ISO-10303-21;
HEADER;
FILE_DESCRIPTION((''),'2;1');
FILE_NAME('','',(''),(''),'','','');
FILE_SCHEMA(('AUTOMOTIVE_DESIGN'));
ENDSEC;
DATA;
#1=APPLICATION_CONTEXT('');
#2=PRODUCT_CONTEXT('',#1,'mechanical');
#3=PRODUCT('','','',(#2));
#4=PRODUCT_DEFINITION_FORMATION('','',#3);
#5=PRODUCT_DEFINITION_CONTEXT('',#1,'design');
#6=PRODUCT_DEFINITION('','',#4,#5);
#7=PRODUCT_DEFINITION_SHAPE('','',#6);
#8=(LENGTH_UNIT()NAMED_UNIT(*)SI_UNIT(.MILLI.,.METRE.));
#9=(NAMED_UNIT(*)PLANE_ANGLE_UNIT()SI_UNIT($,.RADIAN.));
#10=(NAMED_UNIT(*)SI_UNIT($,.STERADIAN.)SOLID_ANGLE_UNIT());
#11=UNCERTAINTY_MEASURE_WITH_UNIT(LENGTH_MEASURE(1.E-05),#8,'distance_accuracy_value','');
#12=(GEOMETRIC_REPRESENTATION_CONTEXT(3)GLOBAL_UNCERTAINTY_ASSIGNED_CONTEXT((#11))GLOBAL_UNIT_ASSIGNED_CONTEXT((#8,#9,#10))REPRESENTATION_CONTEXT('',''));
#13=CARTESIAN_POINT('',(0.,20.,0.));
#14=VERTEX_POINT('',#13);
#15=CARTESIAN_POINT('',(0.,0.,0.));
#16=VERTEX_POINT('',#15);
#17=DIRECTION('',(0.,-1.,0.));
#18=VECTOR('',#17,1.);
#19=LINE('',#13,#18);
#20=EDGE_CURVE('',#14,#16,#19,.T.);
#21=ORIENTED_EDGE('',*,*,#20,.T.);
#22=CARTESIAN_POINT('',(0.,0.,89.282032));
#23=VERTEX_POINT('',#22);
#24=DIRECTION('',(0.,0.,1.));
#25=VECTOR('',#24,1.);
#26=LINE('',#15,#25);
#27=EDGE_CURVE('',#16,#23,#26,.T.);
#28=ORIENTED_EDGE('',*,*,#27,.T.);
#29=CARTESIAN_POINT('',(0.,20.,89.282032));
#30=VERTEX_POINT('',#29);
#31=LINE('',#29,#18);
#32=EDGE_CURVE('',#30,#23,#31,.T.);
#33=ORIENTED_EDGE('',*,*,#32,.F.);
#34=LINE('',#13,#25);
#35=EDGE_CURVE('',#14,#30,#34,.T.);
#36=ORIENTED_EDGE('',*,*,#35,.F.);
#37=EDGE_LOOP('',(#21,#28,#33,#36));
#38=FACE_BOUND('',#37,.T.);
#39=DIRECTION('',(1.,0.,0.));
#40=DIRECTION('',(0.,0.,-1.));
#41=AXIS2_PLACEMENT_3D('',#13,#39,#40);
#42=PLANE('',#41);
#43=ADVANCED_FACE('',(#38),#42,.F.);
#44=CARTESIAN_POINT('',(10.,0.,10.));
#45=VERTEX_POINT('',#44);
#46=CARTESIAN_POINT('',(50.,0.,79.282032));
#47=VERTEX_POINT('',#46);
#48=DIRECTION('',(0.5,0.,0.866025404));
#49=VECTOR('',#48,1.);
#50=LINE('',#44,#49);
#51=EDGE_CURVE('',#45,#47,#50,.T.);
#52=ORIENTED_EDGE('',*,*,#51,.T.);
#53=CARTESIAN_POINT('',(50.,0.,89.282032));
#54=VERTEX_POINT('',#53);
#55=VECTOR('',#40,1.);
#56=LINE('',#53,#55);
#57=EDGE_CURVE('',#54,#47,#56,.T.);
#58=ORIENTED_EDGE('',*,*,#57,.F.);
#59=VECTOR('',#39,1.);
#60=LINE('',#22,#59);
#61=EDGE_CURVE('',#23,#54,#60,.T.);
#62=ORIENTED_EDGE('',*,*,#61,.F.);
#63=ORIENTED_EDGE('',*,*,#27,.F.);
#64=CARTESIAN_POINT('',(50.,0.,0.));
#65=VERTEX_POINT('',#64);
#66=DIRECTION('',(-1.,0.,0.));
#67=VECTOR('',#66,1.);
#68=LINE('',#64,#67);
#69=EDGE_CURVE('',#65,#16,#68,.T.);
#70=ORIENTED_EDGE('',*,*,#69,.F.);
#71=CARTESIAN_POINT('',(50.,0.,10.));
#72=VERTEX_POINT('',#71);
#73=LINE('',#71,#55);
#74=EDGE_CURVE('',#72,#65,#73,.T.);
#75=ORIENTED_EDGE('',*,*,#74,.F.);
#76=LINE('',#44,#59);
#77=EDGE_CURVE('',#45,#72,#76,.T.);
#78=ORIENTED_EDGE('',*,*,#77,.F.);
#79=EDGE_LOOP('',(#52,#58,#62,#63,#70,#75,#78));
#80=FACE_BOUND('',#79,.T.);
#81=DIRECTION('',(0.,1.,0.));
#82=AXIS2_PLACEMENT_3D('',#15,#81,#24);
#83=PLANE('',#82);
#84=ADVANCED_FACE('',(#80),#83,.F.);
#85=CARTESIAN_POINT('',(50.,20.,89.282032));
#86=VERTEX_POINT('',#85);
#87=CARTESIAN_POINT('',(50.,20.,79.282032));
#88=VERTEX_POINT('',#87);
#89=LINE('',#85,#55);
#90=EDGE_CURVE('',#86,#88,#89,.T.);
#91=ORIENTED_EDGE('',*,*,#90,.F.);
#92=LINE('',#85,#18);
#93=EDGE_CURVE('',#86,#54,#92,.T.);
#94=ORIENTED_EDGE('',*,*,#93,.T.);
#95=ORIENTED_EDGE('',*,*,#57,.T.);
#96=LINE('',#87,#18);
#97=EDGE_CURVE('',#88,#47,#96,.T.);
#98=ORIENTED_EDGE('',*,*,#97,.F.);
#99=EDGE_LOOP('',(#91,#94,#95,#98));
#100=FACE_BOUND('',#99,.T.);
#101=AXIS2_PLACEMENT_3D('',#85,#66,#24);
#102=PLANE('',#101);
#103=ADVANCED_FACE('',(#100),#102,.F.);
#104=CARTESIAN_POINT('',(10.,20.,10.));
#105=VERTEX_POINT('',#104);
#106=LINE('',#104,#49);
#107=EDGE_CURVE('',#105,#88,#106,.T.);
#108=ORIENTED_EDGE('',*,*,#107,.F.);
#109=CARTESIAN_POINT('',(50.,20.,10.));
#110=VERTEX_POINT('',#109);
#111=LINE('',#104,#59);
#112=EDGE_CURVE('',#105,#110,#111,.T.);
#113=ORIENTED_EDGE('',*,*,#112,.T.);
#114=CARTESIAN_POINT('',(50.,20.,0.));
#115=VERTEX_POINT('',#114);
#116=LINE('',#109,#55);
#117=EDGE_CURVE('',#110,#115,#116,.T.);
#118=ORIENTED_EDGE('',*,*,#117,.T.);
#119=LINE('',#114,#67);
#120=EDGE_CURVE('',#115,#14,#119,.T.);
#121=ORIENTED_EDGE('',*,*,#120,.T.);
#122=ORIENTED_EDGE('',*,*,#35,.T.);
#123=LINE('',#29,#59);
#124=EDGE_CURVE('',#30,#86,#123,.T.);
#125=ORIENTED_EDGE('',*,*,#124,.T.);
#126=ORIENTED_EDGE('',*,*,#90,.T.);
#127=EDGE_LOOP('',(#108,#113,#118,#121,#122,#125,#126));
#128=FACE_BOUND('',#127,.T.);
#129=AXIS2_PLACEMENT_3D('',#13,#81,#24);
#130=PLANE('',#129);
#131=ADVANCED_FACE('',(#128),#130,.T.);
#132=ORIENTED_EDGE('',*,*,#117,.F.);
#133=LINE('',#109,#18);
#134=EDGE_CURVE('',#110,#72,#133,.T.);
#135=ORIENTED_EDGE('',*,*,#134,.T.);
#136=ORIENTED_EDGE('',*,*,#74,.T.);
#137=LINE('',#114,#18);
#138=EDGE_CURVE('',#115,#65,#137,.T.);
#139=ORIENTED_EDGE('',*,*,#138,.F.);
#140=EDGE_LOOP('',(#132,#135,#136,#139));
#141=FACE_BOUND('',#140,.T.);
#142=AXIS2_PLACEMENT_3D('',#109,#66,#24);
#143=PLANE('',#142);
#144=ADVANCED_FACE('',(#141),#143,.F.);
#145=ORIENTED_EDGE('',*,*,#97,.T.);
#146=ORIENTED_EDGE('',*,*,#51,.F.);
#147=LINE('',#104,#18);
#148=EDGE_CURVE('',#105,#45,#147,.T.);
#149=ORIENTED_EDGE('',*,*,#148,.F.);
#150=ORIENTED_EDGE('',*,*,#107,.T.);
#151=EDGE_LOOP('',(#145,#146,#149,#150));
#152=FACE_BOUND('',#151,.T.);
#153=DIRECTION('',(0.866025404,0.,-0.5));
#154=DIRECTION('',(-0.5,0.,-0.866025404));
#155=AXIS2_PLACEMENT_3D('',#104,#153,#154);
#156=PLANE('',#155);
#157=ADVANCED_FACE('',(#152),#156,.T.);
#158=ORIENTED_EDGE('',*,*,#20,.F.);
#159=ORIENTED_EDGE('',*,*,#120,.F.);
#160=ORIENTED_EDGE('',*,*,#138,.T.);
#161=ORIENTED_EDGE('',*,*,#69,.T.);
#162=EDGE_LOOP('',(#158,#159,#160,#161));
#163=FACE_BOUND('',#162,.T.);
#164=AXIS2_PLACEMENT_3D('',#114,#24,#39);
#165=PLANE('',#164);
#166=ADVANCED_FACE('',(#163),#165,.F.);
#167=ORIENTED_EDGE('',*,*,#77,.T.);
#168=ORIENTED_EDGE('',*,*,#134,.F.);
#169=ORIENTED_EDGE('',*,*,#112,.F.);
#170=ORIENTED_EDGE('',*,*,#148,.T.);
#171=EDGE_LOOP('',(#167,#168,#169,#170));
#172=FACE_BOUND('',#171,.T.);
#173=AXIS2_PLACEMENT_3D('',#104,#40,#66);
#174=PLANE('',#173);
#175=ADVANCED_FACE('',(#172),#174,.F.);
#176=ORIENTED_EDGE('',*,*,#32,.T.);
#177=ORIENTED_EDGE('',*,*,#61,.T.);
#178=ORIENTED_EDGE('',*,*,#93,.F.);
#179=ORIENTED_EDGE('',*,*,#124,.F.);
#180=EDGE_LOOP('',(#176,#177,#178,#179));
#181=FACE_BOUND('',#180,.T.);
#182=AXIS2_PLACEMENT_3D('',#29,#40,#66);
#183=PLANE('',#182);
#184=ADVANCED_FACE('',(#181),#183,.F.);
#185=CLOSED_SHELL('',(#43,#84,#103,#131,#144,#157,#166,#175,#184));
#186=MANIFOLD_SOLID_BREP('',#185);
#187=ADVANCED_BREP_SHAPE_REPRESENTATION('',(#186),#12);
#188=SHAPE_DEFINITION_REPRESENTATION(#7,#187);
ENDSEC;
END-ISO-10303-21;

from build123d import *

# Parameters (mm, degrees)
BOSS_EXTRUDE1_DEPTH = 20


with BuildPart() as part:
    # Sketch1 → Boss-Extrude1 (new body)
    with BuildSketch(Plane(origin=(0, 0, 0), x_dir=(1, 0, 0), z_dir=(0, 1, 0))):
        Polygon((0, 0), (0, -89.282032303), (50, -89.282032303), (50, -79.282032303), (10, -10), (50, -10), (50, 0), align=None)
    extrude(amount=BOSS_EXTRUDE1_DEPTH)


solid = part.part
